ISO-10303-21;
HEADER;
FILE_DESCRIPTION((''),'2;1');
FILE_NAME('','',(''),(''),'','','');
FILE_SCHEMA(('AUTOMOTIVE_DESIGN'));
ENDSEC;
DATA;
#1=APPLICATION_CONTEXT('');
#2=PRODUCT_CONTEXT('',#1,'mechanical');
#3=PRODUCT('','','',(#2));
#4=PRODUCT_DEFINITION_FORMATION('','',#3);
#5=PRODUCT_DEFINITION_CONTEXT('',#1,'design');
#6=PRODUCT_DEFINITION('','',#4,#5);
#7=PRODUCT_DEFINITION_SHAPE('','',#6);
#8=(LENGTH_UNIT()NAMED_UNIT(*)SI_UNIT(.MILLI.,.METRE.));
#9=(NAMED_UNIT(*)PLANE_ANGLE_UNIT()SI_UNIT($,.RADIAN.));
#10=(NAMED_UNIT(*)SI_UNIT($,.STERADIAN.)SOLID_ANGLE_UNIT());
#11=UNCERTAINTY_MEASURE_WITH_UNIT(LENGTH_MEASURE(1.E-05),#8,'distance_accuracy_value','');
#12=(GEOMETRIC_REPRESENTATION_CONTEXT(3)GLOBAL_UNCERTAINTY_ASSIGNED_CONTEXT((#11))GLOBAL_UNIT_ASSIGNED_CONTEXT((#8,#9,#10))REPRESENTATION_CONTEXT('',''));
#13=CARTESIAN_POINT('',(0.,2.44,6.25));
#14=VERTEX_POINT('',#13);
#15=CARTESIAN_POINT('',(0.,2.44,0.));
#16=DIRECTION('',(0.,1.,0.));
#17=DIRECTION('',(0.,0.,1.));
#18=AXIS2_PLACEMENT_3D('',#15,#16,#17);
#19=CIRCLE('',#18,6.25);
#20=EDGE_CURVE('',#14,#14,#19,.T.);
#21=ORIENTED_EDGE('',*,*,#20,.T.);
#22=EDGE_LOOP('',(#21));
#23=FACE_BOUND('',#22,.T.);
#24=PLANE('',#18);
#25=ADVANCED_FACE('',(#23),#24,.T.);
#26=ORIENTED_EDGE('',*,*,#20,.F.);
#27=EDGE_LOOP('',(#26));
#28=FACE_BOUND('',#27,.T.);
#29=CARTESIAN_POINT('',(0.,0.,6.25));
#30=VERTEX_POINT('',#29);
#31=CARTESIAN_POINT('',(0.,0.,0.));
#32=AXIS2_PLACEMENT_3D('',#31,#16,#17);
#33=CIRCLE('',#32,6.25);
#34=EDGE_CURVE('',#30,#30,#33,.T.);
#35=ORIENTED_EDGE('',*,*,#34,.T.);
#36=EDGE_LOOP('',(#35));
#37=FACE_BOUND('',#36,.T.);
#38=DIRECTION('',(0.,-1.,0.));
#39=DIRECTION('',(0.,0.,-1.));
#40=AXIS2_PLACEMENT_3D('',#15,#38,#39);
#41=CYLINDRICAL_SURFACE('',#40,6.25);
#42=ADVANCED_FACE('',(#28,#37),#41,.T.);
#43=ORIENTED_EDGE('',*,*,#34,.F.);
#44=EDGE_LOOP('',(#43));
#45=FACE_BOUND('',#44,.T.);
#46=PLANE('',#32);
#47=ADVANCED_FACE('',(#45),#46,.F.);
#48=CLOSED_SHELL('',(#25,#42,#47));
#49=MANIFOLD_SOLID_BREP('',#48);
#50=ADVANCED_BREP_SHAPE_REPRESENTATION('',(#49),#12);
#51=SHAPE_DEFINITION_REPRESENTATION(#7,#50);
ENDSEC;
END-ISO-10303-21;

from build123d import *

# Parameters (mm, degrees)
SKETCH_1_R      = 6.25
EXTRUDE_1_DEPTH = 2.44


with BuildPart() as part:
    # 草图1 → 凸台-拉伸1 (new body)
    with BuildSketch(Plane(origin=(0, 0, 0), x_dir=(1, 0, 0), z_dir=(0, 1, 0))):
        with Locations(Location((0, 0, 0), (0, 0, 270))):  # turned: the seam where the file's is
            Circle(SKETCH_1_R)
    extrude(amount=EXTRUDE_1_DEPTH)


solid = part.part
